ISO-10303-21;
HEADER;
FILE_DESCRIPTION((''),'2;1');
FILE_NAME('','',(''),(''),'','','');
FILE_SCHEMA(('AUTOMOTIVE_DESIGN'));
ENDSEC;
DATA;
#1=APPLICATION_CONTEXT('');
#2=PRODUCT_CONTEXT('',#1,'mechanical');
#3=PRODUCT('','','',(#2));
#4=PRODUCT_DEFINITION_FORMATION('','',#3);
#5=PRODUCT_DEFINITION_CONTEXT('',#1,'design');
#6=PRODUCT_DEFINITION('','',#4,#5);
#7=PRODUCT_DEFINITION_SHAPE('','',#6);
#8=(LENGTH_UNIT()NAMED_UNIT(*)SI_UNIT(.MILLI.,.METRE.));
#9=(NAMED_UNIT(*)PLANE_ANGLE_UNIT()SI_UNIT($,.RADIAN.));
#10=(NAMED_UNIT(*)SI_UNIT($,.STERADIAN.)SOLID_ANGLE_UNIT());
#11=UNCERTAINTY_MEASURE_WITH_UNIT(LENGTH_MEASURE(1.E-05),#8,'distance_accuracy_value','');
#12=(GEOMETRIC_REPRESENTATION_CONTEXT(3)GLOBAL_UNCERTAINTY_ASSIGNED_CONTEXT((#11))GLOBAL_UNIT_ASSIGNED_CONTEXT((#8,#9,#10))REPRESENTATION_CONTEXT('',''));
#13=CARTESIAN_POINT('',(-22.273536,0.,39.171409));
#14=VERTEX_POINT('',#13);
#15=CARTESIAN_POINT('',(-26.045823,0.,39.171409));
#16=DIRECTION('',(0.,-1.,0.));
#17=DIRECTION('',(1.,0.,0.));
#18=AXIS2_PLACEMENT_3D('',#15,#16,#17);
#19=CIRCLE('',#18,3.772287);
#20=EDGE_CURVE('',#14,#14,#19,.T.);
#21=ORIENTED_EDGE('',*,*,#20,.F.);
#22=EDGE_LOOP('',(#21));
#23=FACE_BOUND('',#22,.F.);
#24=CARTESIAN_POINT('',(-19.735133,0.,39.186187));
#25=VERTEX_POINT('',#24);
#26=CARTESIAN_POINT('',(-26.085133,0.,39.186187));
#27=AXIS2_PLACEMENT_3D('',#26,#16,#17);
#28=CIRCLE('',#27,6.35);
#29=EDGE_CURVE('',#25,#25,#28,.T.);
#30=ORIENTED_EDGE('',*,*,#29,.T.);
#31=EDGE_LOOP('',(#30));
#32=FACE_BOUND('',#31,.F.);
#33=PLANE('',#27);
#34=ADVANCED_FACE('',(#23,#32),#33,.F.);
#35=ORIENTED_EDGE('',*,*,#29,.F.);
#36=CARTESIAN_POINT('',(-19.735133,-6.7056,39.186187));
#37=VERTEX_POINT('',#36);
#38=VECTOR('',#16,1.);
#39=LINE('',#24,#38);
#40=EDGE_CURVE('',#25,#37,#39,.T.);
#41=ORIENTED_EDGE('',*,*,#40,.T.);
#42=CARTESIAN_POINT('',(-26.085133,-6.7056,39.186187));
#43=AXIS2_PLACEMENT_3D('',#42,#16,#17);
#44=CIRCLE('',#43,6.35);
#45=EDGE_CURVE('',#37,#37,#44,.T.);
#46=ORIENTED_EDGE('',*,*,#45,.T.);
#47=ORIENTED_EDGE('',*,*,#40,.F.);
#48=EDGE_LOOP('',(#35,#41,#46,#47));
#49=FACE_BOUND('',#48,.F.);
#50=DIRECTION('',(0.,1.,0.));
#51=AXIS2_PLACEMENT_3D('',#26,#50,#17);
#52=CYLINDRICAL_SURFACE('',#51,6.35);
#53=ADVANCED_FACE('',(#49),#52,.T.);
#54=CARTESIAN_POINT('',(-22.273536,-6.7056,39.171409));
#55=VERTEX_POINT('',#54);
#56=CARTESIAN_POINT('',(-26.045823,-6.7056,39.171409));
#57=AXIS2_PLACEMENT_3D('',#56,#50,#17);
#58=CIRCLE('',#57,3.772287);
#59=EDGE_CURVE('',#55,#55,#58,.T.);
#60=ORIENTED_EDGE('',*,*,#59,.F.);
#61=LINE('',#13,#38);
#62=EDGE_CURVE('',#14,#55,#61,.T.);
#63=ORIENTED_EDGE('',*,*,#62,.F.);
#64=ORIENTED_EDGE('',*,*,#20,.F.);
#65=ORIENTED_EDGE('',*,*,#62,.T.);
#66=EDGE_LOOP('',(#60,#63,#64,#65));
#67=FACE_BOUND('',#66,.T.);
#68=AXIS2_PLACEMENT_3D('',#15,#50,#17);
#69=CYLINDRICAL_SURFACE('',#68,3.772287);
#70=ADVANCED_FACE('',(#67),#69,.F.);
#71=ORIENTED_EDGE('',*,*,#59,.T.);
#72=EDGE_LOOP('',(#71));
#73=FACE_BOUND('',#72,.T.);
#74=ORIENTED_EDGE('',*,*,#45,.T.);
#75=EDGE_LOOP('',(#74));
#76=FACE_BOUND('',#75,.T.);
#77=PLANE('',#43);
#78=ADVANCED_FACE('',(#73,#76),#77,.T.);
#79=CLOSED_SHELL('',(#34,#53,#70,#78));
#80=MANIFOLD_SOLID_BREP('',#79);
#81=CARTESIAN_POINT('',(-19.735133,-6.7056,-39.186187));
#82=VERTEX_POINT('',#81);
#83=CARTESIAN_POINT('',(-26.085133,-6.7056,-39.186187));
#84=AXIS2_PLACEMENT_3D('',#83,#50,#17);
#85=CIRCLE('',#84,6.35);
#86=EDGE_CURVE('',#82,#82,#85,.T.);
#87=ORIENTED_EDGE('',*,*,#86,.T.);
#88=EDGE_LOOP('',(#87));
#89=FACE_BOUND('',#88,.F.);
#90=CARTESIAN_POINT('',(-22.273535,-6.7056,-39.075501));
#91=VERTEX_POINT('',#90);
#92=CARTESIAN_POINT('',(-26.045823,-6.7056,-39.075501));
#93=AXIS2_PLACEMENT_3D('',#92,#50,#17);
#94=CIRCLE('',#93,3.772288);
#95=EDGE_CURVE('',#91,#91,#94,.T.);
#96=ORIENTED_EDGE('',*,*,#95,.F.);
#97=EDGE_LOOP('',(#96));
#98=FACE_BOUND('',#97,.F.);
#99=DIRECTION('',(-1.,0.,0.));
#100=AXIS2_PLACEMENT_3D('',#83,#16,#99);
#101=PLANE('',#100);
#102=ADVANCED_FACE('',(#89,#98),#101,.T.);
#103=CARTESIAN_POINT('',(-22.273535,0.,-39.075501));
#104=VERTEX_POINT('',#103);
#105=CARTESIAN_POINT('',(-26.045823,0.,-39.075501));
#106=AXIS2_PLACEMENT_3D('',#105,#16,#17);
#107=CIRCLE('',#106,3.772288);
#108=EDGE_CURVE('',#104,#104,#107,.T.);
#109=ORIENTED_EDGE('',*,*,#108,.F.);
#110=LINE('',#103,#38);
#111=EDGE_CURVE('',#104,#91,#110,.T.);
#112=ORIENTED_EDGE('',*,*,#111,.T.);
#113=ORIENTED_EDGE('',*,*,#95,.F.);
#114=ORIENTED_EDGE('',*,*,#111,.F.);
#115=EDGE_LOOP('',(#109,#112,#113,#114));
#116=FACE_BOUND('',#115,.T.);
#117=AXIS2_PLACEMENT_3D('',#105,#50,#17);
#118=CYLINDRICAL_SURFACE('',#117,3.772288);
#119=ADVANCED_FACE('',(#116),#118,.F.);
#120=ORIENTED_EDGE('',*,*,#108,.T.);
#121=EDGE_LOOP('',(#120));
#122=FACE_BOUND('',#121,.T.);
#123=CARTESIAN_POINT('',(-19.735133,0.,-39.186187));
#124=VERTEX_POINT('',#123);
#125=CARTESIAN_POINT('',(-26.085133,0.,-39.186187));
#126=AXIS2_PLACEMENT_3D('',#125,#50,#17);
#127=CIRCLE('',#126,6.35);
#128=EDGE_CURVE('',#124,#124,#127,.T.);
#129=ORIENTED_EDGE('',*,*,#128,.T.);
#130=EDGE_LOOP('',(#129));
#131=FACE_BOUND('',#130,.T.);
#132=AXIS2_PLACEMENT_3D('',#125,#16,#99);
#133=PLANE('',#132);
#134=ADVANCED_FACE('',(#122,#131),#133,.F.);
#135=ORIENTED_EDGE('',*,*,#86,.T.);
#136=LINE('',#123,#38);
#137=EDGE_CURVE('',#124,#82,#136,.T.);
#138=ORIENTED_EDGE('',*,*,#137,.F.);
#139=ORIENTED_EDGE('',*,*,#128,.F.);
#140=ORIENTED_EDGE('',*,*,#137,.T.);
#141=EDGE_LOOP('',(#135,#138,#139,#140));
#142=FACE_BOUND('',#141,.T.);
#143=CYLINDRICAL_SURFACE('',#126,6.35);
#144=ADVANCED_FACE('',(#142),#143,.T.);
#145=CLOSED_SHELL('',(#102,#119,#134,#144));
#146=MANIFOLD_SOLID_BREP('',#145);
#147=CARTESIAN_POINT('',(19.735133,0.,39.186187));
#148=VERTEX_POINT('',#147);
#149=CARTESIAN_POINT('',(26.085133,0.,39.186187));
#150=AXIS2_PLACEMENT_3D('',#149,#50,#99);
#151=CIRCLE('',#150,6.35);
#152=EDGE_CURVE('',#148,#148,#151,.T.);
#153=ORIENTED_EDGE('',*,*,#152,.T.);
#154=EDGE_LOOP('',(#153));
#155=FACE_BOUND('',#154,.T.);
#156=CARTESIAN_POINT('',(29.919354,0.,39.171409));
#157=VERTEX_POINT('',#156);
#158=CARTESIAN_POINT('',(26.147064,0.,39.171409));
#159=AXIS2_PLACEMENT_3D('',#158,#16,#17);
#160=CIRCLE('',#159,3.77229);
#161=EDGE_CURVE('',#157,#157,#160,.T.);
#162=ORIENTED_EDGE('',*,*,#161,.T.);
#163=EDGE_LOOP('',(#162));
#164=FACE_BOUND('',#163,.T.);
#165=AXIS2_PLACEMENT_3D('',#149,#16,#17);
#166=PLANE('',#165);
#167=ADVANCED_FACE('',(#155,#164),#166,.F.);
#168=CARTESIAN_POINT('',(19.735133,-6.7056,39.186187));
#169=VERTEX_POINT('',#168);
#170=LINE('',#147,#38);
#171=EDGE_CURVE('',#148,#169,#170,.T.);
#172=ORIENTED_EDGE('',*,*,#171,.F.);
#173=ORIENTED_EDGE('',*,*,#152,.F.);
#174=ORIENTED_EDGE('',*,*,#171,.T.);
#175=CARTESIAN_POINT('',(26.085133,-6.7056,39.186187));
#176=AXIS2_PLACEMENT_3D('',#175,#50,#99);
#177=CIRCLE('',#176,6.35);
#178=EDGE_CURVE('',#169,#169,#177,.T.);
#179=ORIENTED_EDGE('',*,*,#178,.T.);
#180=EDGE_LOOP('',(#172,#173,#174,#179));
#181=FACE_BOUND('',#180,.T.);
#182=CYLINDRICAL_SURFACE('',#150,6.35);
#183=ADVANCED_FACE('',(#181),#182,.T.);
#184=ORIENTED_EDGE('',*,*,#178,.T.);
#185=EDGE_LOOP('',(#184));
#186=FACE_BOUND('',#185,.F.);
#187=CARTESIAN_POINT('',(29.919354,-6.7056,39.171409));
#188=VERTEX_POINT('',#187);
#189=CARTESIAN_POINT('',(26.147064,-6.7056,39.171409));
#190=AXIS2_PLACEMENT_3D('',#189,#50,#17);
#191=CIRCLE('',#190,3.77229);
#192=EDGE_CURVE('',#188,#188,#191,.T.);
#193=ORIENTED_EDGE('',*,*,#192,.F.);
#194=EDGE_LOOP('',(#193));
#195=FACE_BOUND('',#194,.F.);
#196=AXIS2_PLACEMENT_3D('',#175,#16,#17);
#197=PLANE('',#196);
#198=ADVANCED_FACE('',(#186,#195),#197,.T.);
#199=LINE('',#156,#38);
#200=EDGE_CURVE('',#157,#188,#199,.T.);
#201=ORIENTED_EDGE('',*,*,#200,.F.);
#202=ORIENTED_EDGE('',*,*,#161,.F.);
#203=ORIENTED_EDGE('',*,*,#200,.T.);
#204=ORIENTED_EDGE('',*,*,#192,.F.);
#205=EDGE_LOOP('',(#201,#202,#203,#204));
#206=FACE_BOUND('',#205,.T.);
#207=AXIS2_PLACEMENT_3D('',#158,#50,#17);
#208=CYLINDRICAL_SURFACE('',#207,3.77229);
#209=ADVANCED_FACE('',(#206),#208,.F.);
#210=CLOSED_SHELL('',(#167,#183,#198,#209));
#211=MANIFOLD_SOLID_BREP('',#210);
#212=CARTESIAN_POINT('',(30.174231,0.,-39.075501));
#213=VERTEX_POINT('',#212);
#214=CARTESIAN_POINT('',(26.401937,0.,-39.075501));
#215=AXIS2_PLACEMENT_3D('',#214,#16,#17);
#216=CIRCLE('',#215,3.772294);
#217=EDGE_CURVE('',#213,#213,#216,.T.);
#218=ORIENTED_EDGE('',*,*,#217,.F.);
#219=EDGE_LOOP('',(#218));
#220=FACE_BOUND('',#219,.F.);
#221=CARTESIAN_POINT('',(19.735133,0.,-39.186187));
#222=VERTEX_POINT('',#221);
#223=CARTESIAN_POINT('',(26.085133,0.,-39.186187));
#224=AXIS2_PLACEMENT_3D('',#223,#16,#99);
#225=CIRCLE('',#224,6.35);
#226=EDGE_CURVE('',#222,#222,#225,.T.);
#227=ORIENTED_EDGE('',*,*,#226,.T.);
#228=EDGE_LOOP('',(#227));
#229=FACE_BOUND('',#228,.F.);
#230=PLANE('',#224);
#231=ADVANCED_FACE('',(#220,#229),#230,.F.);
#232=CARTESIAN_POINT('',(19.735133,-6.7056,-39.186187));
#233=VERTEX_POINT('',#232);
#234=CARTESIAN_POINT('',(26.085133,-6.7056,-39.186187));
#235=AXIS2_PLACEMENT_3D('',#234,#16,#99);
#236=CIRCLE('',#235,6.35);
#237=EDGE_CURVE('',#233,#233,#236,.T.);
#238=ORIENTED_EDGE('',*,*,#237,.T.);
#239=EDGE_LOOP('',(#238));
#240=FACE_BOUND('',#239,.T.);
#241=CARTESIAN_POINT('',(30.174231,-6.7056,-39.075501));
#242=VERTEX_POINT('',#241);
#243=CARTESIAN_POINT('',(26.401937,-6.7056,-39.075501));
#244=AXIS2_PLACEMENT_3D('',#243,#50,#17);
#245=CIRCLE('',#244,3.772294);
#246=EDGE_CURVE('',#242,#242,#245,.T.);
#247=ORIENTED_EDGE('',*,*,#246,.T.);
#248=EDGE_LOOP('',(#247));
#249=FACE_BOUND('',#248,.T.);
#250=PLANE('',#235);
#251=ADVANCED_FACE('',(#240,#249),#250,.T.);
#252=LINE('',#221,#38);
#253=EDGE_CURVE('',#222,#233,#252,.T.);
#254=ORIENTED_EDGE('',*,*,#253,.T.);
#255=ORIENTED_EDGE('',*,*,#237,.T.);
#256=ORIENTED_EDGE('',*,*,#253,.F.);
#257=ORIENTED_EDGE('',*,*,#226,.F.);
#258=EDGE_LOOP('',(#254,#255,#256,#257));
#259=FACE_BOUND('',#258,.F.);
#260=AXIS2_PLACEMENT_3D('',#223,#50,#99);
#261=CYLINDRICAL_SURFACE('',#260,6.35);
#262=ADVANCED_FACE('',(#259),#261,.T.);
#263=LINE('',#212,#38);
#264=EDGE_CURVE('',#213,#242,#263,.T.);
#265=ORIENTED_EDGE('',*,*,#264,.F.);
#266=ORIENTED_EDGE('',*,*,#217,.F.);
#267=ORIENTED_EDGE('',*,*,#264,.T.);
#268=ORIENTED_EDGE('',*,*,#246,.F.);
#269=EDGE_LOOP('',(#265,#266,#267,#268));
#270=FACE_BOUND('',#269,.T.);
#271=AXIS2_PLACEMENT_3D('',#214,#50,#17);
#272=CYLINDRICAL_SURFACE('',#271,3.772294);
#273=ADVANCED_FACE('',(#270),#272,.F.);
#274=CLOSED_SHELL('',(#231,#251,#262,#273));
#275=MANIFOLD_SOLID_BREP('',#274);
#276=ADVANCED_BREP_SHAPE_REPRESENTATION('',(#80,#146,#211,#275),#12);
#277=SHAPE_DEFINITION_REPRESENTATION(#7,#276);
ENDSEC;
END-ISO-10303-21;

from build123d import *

# Parameters (mm, degrees)
F0_R     = 6.35
F1_DEPTH = 6.7056
F5_R     = 3.772287
F5_R_2   = 3.77229
F5_R_3   = 3.772288
F5_R_4   = 3.772294
F6_DEPTH = 15.24


with BuildPart() as f1:
    # F0 (on Front) → F1 (new body)
    with BuildSketch(Plane.XZ):
        with Locations((-26.085133, 39.186187)):
            Circle(F0_R)
    extrude(amount=F1_DEPTH)


with BuildPart() as f2_1:
    # F2: instance of F1
    add(f1.part.mirror(Plane.YZ))


with BuildPart() as f3_1:
    # F3: instance of F1
    add(f1.part.mirror(Plane.XY))


with BuildPart() as f4_1:
    # F4: instance of F3_1
    add(f3_1.part.mirror(Plane.YZ))


with BuildPart() as f6_tool:
    # F5 (on Front) → F6 (new body)
    with BuildSketch(Plane.XZ):
        with Locations((-26.045823, 39.171409)):
            Circle(F5_R)
        with Locations((26.147064, 39.171409)):
            Circle(F5_R_2)
        with Locations((-26.045823, -39.075501)):
            Circle(F5_R_3)
        with Locations((26.401937, -39.075501)):
            Circle(F5_R_4)
    extrude(amount=F6_DEPTH)


with BuildPart() as f1_1:
    add(f1.part)

    # F6: cut by f6_tool
    add(f6_tool.part, mode=Mode.SUBTRACT)


with BuildPart() as f2_1_1:
    add(f2_1.part)

    # F6: cut by f6_tool
    add(f6_tool.part, mode=Mode.SUBTRACT)


with BuildPart() as f3_1_1:
    add(f3_1.part)

    # F6: cut by f6_tool
    add(f6_tool.part, mode=Mode.SUBTRACT)


with BuildPart() as f4_1_1:
    add(f4_1.part)

    # F6: cut by f6_tool
    add(f6_tool.part, mode=Mode.SUBTRACT)


solid = Compound([f1_1.part, f2_1_1.part, f3_1_1.part, f4_1_1.part])
